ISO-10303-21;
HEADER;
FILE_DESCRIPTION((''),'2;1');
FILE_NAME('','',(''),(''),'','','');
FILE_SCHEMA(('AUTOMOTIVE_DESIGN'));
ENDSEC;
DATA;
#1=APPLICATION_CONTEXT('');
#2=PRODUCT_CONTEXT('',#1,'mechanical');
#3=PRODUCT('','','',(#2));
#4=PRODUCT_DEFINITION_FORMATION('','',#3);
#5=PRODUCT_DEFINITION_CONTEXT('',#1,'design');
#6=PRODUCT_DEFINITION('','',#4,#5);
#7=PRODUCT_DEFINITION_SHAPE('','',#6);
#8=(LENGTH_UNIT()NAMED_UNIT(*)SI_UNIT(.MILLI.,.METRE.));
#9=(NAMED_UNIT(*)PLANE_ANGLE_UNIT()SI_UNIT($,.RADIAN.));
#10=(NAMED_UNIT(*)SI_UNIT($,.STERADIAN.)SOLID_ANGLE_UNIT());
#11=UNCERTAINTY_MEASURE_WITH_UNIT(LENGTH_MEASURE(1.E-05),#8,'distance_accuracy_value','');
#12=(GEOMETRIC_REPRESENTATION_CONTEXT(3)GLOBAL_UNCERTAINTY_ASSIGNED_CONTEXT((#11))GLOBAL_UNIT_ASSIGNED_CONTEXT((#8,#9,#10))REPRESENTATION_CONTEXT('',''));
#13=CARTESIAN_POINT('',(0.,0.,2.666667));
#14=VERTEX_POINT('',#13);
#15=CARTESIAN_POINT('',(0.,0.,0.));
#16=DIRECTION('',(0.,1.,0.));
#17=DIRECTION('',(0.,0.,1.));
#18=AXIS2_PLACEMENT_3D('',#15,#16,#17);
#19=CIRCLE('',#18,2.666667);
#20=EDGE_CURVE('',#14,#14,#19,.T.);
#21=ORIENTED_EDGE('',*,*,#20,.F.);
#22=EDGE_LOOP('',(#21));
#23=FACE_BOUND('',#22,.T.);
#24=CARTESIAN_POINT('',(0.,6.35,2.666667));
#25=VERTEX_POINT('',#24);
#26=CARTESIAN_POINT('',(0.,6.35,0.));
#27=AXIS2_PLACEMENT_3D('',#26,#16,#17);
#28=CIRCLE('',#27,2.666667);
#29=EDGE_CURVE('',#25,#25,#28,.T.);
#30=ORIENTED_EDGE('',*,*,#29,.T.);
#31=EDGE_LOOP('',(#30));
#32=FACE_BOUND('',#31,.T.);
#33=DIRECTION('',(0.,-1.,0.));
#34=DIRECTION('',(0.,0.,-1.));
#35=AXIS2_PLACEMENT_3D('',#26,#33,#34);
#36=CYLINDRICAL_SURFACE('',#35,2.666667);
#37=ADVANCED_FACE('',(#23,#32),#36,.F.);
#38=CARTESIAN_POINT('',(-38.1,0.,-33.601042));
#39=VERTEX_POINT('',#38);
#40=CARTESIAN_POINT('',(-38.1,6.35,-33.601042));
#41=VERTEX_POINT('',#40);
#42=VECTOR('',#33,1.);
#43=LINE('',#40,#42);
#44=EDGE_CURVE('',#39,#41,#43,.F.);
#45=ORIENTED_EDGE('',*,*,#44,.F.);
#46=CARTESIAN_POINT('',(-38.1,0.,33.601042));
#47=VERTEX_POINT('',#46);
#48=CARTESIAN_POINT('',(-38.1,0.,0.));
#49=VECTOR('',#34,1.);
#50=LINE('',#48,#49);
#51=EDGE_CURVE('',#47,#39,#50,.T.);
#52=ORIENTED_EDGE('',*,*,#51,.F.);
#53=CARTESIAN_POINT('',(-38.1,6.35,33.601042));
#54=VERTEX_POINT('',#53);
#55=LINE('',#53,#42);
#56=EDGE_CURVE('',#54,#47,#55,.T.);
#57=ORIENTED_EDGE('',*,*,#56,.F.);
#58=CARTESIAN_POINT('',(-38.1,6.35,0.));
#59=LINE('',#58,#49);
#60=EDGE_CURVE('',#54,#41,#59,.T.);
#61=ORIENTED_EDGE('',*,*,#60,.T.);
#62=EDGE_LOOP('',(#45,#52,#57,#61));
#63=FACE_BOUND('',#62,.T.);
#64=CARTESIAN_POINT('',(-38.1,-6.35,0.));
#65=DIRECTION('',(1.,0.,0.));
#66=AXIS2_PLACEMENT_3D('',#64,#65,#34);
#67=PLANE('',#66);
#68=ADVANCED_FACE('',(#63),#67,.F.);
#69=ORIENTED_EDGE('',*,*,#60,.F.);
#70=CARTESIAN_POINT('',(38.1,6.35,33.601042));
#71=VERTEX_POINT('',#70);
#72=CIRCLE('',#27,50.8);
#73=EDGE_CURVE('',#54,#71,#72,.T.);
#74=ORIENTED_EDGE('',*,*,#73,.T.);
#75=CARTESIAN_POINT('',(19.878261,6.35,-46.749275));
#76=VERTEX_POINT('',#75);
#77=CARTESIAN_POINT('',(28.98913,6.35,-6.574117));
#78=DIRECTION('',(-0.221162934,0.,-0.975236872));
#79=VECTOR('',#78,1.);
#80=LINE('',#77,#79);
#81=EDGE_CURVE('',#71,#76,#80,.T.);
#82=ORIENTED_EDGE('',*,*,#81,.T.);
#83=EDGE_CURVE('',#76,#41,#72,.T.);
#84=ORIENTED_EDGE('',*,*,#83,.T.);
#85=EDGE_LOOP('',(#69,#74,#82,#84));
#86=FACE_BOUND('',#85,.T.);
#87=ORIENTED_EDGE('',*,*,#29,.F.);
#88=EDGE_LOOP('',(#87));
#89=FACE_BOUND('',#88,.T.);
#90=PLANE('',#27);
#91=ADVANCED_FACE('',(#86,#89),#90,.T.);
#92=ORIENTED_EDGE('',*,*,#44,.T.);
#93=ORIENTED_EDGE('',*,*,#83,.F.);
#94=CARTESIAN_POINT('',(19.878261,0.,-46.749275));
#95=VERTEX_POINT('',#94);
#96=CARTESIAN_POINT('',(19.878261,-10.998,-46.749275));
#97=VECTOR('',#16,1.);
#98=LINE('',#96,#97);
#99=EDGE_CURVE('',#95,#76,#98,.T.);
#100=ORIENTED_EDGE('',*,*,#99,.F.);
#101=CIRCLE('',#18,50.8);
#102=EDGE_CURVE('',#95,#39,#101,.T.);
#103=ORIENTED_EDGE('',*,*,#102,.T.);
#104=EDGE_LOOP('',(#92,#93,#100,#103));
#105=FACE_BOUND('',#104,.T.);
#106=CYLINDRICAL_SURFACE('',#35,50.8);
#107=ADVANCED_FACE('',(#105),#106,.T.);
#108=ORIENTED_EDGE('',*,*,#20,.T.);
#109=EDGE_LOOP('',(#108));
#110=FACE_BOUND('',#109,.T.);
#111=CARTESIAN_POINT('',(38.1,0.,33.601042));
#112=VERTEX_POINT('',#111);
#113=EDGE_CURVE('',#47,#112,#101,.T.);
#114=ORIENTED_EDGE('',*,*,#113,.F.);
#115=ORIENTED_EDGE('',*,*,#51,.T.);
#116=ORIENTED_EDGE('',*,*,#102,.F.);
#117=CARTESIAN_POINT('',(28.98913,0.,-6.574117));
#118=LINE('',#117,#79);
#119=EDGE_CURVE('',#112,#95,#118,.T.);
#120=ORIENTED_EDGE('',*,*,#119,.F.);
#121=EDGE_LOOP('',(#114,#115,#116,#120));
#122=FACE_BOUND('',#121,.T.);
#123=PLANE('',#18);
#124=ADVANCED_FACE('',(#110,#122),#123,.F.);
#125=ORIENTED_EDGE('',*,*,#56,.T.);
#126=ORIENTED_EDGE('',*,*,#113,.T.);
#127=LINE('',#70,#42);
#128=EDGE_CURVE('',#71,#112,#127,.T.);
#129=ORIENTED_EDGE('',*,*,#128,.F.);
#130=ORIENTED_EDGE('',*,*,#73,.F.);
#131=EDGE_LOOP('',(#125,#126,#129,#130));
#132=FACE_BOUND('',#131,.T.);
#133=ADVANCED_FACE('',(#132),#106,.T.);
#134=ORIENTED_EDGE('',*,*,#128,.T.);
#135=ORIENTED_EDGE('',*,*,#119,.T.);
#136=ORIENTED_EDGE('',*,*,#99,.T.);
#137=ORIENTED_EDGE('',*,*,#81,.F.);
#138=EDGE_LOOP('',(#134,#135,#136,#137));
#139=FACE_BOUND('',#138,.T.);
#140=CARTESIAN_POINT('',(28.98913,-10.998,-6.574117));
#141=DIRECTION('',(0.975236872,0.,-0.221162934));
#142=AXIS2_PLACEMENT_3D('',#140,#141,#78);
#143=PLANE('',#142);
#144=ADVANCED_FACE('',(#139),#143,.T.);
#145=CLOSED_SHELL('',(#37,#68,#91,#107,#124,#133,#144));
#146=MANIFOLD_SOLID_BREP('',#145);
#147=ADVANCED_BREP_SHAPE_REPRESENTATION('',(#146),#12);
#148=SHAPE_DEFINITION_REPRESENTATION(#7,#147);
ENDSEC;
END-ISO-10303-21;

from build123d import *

# Parameters (mm, degrees)
SKETCH1_R           = 50.8
SKETCH1_R_2         = 2.666666667
BOSS_EXTRUDE1_DEPTH = 6.35
CUT_EXTRUDE1_START  = -12.7
CUT_EXTRUDE1_DEPTH  = 12.7
CUT_EXTRUDE2_START  = -17.348
CUT_EXTRUDE2_DEPTH  = 17.348


with BuildPart() as part:
    # Sketch1 → Boss-Extrude1 (new body)
    with BuildSketch(Plane(origin=(0, 0, 0), x_dir=(1, 0, 0), z_dir=(0, 1, 0))):
        with Locations(Location((0, 0, 0), (0, 0, 270))):
            Circle(SKETCH1_R)
        with Locations(Location((0, 0, 0), (0, 0, 270))):
            Circle(SKETCH1_R_2, mode=Mode.SUBTRACT)
    extrude(amount=BOSS_EXTRUDE1_DEPTH)

    # Sketch2 → Cut-Extrude1 (cut)
    with BuildSketch(Plane(origin=(0, 6.35, 0), x_dir=(1, 0, 0), z_dir=(0, 1, 0)).offset(CUT_EXTRUDE1_START)):
        with BuildLine():
            ThreePointArc((50.8, 0), (47.519048812, 17.960512242), (38.1, 33.601041651))
            Line((38.1, 33.601041651), (38.1, 0))
            Line((38.1, 0), (38.1, -33.601041651))
            ThreePointArc((38.1, -33.601041651), (47.519048812, -17.960512242), (50.8, 0))
        make_face()
        with BuildLine():
            ThreePointArc((-38.1, 33.601041651), (-47.519048812, 17.960512242), (-50.8, 0))
            Line((-50.8, 0), (-38.1, 0))
            Line((-38.1, 0), (-38.1, 33.601041651))
        make_face()
        with BuildLine():
            Line((-38.1, 0), (-50.8, 0))
            ThreePointArc((-50.8, 0), (-47.519048812, -17.960512242), (-38.1, -33.601041651))
            Line((-38.1, -33.601041651), (-38.1, 0))
        make_face()
    extrude(amount=CUT_EXTRUDE1_DEPTH, mode=Mode.SUBTRACT)

    # Sketch3 → Cut-Extrude2 (cut)
    with BuildSketch(Plane(origin=(0, 6.35, 0), x_dir=(1, 0, 0), z_dir=(0, 1, 0)).offset(CUT_EXTRUDE2_START)):
        with BuildLine():
            Line((22.86, 33.601041651), (38.1, 33.601041651))
            ThreePointArc((38.1, 33.601041651), (29.725219859, 41.19528255), (19.87826087, 46.74927534))
            Line((19.87826087, 46.74927534), (22.86, 33.601041651))
        make_face()
        Polygon((38.1, 33.601041651), (22.86, 33.601041651), (38.1, -33.601041651), align=None)
    extrude(amount=CUT_EXTRUDE2_DEPTH, mode=Mode.SUBTRACT)


solid = part.part
